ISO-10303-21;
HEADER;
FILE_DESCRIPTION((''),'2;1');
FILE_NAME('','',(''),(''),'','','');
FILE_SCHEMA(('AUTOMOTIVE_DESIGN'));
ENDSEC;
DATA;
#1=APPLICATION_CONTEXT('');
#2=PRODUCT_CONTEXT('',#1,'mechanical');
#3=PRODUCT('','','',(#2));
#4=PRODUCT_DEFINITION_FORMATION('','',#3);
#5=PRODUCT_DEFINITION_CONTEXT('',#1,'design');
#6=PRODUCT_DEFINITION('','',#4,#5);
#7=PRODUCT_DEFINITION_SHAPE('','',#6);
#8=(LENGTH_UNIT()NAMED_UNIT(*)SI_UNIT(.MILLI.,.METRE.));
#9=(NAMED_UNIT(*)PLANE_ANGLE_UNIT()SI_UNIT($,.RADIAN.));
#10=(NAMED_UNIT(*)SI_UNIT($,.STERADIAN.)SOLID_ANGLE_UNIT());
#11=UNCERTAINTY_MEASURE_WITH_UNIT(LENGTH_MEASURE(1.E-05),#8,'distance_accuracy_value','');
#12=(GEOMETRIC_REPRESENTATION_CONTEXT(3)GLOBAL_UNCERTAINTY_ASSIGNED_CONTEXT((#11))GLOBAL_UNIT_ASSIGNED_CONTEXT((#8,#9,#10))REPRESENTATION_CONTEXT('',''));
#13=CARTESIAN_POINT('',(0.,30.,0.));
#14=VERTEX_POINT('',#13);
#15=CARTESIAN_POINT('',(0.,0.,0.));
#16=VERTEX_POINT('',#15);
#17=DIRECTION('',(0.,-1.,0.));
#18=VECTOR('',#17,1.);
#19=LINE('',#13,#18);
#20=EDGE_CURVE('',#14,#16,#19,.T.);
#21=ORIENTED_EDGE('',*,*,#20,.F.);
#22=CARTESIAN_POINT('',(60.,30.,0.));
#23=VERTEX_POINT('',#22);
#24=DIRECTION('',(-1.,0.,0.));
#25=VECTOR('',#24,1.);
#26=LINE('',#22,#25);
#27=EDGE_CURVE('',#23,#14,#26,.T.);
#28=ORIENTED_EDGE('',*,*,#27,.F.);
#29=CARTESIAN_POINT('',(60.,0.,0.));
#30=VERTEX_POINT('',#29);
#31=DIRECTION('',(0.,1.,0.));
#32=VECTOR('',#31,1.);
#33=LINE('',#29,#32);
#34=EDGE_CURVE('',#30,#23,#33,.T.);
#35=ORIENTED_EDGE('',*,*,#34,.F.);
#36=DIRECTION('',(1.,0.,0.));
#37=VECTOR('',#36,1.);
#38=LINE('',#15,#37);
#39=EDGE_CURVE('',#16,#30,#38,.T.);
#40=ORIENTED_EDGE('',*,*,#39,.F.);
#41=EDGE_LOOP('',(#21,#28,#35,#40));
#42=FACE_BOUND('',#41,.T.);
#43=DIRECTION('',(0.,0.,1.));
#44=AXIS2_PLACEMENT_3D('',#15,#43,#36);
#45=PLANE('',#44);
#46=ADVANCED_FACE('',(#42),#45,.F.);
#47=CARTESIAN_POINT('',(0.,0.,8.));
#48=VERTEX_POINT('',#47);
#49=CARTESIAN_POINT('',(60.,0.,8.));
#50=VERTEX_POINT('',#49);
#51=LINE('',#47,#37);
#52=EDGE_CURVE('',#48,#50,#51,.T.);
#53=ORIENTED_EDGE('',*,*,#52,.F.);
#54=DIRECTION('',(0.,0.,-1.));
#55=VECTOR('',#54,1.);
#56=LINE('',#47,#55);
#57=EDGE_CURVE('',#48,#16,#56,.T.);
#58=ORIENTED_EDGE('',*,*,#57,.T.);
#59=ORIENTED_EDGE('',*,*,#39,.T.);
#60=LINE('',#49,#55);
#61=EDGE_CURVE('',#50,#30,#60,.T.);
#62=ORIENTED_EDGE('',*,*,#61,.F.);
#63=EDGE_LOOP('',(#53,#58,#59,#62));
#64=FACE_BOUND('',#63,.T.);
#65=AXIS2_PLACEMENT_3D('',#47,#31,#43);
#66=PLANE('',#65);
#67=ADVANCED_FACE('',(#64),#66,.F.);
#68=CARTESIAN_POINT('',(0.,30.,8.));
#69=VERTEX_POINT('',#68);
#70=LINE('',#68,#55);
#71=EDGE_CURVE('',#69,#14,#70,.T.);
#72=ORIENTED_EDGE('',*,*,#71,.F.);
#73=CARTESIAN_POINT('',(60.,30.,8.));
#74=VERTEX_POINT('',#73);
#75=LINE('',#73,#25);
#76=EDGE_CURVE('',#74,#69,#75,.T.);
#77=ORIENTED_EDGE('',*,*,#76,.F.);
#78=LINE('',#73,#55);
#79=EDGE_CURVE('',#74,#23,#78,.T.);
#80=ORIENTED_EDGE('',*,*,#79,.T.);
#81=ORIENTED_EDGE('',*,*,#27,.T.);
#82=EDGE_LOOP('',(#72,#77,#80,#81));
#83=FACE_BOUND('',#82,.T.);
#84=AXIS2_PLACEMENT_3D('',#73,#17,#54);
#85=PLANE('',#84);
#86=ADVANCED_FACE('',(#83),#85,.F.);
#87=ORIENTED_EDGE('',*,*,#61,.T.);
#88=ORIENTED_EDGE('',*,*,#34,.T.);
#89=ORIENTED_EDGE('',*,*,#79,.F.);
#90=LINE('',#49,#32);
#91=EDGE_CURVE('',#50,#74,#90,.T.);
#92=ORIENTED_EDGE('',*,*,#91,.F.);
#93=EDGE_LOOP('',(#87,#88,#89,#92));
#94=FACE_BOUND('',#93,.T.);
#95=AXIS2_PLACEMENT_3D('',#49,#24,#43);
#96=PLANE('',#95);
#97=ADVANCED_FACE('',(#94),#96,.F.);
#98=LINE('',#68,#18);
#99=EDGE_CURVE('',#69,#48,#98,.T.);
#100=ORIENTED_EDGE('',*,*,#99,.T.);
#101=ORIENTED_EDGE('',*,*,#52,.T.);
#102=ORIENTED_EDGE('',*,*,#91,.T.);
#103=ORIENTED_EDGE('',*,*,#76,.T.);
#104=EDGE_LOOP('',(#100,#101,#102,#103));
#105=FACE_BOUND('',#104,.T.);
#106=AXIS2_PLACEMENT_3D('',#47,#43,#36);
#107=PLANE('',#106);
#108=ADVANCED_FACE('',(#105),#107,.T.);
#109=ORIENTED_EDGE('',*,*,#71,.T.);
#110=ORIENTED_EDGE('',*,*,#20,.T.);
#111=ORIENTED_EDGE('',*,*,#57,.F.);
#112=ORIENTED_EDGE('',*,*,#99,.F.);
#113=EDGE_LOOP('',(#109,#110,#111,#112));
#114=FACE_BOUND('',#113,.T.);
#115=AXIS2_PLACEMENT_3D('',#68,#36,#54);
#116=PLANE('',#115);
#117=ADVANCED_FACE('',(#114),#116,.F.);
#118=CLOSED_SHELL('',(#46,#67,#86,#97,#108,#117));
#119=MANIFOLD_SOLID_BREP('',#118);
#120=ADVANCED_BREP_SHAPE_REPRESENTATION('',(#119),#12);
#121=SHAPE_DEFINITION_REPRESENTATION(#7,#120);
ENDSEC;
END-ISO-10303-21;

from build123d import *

# Parameters (mm, degrees)
SKETCH_8_W      = 60
SKETCH_8_H      = 30
EXTRUDE_1_DEPTH = 8


with BuildPart() as part:
    # 草图8 → 凸台-拉伸1 (new body)
    with BuildSketch(Plane.XY):
        with Locations((30, 15)):
            Rectangle(SKETCH_8_W, SKETCH_8_H)
    extrude(amount=EXTRUDE_1_DEPTH)


solid = part.part
